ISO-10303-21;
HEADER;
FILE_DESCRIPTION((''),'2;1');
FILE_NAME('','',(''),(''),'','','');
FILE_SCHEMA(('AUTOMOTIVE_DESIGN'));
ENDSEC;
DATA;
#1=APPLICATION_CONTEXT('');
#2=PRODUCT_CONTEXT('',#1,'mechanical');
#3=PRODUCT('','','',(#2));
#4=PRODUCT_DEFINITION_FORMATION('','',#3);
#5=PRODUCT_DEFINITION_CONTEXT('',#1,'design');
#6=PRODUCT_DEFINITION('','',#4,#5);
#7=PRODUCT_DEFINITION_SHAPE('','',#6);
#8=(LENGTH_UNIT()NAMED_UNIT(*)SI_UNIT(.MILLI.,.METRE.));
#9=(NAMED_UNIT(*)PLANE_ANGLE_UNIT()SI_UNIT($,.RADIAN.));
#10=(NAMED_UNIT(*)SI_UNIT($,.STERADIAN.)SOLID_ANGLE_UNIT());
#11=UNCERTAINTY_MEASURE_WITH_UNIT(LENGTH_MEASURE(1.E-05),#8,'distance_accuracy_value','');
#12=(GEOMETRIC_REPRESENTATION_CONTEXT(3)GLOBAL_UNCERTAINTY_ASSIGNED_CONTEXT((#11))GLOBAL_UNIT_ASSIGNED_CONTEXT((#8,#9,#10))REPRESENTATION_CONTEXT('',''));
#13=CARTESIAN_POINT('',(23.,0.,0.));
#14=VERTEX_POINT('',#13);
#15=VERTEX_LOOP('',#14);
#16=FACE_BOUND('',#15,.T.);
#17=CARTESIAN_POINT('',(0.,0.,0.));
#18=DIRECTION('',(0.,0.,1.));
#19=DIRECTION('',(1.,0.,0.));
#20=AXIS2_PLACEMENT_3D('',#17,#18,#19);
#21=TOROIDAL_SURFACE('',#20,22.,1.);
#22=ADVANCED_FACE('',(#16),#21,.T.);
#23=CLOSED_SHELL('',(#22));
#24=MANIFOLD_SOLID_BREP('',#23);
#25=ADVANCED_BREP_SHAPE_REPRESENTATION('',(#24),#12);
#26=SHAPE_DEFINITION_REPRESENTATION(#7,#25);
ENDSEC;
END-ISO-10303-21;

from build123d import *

# Parameters (mm, degrees)
ESQUISSE1_R = 1


with BuildPart() as part:
    # Esquisse1 → Révolution3 (revolve)
    with BuildSketch(Plane(origin=(0, 0, 0), x_dir=(0, 0, -1), z_dir=(1, 0, 0)), mode=Mode.PRIVATE) as r_volution3_sk:
        with Locations((0, -22)):
            Circle(ESQUISSE1_R)
    revolve(r_volution3_sk.sketch.rotate(Axis((0, 0, 13.392332391), (0, 0, -1)), 270), axis=Axis((0, 0, 13.392332391), (0, 0, -1)))


solid = part.part
